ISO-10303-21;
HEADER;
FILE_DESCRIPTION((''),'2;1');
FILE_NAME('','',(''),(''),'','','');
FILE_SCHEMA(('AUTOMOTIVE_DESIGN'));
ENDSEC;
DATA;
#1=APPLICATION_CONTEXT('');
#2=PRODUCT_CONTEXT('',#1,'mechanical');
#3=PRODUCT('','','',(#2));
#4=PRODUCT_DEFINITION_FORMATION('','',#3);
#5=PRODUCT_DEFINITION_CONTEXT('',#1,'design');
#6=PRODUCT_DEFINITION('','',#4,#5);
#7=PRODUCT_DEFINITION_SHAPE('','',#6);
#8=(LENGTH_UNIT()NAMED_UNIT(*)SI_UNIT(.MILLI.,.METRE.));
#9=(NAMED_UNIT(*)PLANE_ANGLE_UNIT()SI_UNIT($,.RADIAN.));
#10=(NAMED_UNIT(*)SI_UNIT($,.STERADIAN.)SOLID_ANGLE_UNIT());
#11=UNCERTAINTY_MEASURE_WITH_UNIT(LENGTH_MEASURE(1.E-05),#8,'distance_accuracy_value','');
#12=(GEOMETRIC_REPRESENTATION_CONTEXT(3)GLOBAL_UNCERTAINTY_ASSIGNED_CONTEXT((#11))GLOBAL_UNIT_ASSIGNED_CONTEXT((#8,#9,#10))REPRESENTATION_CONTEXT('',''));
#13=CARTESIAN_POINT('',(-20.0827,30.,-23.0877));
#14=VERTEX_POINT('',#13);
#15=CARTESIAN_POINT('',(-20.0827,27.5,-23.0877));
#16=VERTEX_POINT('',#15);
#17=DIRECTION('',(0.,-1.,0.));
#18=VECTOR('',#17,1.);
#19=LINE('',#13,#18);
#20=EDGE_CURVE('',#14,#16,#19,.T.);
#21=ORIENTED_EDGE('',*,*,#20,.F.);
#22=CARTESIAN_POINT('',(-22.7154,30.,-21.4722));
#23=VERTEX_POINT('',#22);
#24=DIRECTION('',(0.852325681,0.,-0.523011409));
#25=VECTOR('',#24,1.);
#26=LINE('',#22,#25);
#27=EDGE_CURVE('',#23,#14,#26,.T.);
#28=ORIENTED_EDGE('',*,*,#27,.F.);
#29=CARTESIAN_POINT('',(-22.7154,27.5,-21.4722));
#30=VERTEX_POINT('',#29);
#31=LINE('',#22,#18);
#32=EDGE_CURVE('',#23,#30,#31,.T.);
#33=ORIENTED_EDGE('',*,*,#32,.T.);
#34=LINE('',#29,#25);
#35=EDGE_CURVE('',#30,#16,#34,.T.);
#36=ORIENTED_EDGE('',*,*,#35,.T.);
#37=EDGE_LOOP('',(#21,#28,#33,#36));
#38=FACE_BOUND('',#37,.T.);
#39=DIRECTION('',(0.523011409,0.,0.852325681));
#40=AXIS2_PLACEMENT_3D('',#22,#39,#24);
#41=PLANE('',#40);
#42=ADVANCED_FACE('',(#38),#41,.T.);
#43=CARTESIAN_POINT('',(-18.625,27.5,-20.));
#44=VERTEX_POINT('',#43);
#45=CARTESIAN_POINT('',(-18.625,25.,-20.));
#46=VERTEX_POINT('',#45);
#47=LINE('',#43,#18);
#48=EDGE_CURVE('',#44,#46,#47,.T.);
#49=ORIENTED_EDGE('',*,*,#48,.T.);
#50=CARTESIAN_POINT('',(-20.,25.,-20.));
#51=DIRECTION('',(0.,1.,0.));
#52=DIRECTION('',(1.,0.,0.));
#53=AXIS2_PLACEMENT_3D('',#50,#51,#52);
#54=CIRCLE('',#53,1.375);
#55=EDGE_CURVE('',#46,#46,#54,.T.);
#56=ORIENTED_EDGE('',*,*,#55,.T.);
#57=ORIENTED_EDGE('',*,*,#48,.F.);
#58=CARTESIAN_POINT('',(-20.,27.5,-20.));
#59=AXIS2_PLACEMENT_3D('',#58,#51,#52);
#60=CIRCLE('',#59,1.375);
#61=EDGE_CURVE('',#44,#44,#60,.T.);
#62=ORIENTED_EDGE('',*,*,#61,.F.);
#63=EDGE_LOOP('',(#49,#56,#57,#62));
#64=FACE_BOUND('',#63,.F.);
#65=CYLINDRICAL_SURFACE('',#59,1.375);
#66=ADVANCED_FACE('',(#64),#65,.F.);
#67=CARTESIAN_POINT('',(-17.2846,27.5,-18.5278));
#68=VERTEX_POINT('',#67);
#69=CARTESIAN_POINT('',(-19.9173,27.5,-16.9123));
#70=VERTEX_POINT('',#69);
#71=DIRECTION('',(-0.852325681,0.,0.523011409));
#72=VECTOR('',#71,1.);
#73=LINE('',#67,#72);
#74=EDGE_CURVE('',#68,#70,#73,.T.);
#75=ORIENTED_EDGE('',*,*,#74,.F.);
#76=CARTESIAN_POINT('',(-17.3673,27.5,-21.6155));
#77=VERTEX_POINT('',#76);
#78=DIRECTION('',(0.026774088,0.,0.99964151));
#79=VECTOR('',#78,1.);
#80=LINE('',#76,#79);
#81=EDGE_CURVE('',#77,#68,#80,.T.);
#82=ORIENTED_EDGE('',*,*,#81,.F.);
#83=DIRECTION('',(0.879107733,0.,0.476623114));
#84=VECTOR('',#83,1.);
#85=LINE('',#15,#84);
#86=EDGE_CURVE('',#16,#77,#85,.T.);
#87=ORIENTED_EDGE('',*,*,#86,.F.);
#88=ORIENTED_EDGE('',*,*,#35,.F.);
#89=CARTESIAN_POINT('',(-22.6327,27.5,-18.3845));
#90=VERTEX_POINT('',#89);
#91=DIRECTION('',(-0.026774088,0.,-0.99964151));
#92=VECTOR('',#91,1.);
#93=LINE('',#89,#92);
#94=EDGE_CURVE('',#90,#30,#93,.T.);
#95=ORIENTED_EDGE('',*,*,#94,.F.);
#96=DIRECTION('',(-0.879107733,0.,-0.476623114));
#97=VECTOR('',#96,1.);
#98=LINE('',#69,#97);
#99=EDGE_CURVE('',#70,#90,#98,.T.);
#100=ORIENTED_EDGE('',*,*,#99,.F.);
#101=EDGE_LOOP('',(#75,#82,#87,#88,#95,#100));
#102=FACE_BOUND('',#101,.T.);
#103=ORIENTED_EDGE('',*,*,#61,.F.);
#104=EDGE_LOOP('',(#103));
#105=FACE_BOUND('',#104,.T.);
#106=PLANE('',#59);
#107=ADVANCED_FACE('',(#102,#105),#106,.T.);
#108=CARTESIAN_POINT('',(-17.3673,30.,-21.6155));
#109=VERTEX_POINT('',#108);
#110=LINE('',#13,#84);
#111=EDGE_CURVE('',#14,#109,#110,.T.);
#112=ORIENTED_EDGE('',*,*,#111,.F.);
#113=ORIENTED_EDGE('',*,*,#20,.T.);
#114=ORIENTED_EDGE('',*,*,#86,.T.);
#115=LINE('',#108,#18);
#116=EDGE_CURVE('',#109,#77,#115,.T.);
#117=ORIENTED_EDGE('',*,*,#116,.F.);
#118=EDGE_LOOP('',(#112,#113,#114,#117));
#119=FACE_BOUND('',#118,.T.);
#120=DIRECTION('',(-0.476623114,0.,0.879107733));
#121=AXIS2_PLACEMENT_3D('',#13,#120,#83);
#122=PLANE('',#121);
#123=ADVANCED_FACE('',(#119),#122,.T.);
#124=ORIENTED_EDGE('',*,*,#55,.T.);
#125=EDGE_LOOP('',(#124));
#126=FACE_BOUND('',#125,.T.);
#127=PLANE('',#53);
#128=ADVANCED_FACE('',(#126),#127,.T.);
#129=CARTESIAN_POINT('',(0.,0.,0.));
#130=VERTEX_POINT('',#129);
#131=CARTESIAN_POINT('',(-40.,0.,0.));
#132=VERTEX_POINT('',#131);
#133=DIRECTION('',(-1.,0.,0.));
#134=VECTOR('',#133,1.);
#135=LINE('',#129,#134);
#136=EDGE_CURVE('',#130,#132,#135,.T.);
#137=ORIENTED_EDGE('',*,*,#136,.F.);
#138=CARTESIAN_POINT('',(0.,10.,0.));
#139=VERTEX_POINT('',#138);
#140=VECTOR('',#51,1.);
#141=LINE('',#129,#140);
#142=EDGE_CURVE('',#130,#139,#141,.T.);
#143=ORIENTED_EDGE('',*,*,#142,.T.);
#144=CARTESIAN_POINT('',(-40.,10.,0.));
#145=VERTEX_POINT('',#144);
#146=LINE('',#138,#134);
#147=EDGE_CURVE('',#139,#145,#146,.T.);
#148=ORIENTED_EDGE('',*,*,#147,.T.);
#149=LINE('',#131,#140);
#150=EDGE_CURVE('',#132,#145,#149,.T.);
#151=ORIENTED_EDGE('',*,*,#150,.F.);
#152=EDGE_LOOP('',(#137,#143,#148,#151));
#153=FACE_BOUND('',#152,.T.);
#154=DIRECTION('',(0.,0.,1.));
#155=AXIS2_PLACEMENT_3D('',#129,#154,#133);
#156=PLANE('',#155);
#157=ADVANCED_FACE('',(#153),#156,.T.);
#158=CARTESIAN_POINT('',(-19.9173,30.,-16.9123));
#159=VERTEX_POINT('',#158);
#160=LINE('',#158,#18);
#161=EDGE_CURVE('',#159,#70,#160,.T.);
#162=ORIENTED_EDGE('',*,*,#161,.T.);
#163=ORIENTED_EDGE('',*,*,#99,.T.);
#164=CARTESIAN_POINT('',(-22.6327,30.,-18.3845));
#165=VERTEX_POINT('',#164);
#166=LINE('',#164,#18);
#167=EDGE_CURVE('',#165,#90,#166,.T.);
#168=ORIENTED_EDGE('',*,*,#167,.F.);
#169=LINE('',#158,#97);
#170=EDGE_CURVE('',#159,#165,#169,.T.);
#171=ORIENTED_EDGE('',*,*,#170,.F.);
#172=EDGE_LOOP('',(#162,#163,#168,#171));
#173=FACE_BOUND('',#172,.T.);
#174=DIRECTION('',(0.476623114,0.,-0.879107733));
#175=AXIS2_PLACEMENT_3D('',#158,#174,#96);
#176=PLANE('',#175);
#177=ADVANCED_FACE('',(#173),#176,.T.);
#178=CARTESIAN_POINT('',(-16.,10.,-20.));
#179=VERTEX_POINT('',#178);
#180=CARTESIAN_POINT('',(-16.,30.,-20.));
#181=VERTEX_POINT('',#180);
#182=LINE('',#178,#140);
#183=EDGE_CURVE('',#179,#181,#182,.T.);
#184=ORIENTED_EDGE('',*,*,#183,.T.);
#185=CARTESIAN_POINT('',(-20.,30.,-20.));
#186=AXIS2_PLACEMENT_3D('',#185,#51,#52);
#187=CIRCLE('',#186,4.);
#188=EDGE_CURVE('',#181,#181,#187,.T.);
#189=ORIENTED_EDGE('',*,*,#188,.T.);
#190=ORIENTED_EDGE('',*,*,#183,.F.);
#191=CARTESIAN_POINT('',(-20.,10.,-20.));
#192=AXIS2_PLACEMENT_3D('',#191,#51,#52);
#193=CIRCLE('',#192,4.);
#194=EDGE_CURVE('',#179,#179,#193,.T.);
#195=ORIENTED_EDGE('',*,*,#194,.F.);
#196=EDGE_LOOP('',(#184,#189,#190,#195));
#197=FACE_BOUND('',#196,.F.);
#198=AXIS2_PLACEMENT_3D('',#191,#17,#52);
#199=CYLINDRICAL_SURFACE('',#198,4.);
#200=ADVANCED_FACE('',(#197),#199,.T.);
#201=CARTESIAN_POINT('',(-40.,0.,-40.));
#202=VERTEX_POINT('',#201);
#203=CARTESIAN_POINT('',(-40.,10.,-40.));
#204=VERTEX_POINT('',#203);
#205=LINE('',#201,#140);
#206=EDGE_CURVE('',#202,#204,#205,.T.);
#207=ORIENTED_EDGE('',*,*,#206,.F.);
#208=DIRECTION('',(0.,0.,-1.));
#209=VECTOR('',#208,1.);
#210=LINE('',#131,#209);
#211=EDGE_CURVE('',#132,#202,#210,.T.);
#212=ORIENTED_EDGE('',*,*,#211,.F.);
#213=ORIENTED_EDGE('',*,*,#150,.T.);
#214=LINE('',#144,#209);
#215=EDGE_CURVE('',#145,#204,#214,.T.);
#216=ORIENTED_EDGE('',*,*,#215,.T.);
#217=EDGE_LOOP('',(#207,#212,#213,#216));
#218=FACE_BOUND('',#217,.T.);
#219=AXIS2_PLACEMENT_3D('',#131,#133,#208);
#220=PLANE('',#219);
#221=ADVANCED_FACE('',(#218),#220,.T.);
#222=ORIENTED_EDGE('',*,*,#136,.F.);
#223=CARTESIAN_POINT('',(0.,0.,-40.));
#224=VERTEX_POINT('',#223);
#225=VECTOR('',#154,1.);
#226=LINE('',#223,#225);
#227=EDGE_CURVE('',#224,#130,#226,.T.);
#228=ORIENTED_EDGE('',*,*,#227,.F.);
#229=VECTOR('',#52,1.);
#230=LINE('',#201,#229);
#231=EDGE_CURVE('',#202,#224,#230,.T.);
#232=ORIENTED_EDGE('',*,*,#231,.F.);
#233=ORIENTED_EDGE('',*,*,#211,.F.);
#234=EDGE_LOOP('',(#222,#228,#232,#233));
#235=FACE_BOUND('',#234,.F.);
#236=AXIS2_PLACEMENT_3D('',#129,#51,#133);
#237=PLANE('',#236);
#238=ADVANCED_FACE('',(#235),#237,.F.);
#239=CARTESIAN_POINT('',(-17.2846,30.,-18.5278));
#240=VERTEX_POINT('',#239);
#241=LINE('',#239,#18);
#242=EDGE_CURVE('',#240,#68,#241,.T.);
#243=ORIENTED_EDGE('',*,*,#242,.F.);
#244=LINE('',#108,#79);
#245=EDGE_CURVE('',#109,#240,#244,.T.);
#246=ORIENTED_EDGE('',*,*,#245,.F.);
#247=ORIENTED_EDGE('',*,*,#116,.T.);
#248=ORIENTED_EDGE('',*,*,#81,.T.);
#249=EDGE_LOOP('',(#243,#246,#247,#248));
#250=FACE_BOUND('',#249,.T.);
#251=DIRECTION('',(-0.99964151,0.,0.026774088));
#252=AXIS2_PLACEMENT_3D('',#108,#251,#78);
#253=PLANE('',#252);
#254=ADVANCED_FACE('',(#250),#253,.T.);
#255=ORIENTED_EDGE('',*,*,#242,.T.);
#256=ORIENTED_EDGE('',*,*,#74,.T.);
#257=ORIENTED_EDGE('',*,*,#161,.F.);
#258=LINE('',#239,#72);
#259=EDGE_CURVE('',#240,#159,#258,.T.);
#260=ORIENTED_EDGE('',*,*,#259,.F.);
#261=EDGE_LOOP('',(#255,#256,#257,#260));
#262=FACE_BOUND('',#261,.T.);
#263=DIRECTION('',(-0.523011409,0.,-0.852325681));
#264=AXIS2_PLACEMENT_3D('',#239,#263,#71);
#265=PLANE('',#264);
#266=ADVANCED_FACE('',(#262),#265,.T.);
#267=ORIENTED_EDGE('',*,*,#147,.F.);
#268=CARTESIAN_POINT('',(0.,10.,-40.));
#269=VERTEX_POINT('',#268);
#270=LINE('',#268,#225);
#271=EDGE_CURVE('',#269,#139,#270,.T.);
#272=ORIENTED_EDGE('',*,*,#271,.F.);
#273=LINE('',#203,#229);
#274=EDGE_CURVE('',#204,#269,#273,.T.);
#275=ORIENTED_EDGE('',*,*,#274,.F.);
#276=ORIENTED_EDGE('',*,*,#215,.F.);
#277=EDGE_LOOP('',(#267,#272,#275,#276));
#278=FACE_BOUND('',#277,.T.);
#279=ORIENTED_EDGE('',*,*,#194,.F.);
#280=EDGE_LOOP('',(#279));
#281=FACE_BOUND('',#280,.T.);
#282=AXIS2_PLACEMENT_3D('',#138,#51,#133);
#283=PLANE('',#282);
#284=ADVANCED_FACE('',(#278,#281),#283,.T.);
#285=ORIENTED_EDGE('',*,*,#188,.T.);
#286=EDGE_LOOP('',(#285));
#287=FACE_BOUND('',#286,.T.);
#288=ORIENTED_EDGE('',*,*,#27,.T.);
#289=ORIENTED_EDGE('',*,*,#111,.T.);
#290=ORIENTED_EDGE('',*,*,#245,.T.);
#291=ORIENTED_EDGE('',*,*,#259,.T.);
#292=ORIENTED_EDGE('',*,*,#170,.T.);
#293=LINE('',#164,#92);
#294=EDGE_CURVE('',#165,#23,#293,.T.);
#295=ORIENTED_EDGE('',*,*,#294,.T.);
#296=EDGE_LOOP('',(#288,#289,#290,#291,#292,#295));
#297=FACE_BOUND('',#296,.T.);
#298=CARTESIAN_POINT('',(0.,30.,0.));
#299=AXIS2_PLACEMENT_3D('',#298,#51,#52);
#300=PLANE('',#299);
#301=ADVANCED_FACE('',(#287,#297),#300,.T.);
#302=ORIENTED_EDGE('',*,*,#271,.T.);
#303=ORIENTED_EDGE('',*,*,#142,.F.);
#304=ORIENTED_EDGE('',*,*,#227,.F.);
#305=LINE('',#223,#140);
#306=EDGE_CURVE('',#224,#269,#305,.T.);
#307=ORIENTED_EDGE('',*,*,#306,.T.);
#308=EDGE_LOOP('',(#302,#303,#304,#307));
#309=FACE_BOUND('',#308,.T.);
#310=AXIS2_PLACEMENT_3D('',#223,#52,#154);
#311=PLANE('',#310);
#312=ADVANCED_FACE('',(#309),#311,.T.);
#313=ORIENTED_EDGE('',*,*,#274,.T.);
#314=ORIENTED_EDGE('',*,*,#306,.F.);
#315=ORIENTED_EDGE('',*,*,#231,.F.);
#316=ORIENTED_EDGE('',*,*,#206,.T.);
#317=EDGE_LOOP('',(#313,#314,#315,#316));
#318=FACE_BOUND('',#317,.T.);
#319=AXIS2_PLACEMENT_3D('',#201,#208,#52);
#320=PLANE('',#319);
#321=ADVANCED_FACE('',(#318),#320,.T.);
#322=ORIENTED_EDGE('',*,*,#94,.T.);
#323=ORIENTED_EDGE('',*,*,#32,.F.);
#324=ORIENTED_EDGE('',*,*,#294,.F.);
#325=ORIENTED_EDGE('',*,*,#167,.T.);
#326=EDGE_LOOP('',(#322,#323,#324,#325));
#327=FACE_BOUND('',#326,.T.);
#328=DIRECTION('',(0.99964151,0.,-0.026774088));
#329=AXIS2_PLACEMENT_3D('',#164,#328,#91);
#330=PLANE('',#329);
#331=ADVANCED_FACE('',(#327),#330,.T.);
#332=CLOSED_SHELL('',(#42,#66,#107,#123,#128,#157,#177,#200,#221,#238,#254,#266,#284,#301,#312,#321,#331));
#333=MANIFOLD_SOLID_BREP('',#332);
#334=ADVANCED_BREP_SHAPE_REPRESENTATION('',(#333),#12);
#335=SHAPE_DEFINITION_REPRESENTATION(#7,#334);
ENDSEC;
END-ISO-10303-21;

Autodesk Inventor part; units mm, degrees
ref_plane "YZ Plane" through (0, 0, 0) normal (1, 0, 0) x (0, 1, 0)
ref_plane "XZ Plane" through (0, 0, 0) normal (0, 1, 0) x (-1, 0, 0)
ref_plane "XY Plane" through (0, 0, 0) normal (0, 0, 1) x (1, 0, 0)
sketch "Sketch1" plane through (0, 0, 0) normal (0, 1, 0) x (-1, 0, 0)
  line L0 (0, 0) -> (40, 0)
  line L1 (40, 0) -> (40, -40)
  line L2 (40, -40) -> (0, -40)
  line L3 (0, -40) -> (0, 0)
  dimension "d0" = 40
  dimension "d1" = 40
extrude "Extrusion1" add sketch "Sketch1" along normal blind 10
sketch "Sketch2" plane through (0, 10, 0) normal (0, 1, 0) x (1, 0, 0)
  circle A0 centre (-20, 20) radius 4
  point P0 (0, 0)
  dimension "d4" = 8
extrude "Extrusion2" add sketch "Sketch2" along normal blind 20
sketch "Sketch3" plane through (-20, 30, -20) normal (0, 1, 0) x (1, 0, 0)
  line L0 (2.6327, 1.6155) -> (2.7154, -1.4722)
  line L1 (2.7154, -1.4722) -> (0.0827, -3.0877)
  line L2 (0.0827, -3.0877) -> (-2.6327, -1.6155)
  line L3 (-2.6327, -1.6155) -> (-2.7154, 1.4722)
  line L4 (-2.7154, 1.4722) -> (-0.0827, 3.0877)
  line L5 (-0.0827, 3.0877) -> (2.6327, 1.6155)
  point P0 (20, -20)
  point P1 (0, 0)
  dimension "d7" = 5.35
extrude "Extrusion3" cut sketch "Sketch3" against normal blind 2.5
sketch "Sketch4" plane through (-20, 27.5, -20) normal (0, 1, 0) x (1, 0, 0)
  circle A0 centre (0, 0) radius 1.375
  point P0 (20, -20)
  dimension "d10" = 2.75
extrude "Extrusion4" cut sketch "Sketch4" against normal blind 2.5
properties part number "YMount_Belt"
